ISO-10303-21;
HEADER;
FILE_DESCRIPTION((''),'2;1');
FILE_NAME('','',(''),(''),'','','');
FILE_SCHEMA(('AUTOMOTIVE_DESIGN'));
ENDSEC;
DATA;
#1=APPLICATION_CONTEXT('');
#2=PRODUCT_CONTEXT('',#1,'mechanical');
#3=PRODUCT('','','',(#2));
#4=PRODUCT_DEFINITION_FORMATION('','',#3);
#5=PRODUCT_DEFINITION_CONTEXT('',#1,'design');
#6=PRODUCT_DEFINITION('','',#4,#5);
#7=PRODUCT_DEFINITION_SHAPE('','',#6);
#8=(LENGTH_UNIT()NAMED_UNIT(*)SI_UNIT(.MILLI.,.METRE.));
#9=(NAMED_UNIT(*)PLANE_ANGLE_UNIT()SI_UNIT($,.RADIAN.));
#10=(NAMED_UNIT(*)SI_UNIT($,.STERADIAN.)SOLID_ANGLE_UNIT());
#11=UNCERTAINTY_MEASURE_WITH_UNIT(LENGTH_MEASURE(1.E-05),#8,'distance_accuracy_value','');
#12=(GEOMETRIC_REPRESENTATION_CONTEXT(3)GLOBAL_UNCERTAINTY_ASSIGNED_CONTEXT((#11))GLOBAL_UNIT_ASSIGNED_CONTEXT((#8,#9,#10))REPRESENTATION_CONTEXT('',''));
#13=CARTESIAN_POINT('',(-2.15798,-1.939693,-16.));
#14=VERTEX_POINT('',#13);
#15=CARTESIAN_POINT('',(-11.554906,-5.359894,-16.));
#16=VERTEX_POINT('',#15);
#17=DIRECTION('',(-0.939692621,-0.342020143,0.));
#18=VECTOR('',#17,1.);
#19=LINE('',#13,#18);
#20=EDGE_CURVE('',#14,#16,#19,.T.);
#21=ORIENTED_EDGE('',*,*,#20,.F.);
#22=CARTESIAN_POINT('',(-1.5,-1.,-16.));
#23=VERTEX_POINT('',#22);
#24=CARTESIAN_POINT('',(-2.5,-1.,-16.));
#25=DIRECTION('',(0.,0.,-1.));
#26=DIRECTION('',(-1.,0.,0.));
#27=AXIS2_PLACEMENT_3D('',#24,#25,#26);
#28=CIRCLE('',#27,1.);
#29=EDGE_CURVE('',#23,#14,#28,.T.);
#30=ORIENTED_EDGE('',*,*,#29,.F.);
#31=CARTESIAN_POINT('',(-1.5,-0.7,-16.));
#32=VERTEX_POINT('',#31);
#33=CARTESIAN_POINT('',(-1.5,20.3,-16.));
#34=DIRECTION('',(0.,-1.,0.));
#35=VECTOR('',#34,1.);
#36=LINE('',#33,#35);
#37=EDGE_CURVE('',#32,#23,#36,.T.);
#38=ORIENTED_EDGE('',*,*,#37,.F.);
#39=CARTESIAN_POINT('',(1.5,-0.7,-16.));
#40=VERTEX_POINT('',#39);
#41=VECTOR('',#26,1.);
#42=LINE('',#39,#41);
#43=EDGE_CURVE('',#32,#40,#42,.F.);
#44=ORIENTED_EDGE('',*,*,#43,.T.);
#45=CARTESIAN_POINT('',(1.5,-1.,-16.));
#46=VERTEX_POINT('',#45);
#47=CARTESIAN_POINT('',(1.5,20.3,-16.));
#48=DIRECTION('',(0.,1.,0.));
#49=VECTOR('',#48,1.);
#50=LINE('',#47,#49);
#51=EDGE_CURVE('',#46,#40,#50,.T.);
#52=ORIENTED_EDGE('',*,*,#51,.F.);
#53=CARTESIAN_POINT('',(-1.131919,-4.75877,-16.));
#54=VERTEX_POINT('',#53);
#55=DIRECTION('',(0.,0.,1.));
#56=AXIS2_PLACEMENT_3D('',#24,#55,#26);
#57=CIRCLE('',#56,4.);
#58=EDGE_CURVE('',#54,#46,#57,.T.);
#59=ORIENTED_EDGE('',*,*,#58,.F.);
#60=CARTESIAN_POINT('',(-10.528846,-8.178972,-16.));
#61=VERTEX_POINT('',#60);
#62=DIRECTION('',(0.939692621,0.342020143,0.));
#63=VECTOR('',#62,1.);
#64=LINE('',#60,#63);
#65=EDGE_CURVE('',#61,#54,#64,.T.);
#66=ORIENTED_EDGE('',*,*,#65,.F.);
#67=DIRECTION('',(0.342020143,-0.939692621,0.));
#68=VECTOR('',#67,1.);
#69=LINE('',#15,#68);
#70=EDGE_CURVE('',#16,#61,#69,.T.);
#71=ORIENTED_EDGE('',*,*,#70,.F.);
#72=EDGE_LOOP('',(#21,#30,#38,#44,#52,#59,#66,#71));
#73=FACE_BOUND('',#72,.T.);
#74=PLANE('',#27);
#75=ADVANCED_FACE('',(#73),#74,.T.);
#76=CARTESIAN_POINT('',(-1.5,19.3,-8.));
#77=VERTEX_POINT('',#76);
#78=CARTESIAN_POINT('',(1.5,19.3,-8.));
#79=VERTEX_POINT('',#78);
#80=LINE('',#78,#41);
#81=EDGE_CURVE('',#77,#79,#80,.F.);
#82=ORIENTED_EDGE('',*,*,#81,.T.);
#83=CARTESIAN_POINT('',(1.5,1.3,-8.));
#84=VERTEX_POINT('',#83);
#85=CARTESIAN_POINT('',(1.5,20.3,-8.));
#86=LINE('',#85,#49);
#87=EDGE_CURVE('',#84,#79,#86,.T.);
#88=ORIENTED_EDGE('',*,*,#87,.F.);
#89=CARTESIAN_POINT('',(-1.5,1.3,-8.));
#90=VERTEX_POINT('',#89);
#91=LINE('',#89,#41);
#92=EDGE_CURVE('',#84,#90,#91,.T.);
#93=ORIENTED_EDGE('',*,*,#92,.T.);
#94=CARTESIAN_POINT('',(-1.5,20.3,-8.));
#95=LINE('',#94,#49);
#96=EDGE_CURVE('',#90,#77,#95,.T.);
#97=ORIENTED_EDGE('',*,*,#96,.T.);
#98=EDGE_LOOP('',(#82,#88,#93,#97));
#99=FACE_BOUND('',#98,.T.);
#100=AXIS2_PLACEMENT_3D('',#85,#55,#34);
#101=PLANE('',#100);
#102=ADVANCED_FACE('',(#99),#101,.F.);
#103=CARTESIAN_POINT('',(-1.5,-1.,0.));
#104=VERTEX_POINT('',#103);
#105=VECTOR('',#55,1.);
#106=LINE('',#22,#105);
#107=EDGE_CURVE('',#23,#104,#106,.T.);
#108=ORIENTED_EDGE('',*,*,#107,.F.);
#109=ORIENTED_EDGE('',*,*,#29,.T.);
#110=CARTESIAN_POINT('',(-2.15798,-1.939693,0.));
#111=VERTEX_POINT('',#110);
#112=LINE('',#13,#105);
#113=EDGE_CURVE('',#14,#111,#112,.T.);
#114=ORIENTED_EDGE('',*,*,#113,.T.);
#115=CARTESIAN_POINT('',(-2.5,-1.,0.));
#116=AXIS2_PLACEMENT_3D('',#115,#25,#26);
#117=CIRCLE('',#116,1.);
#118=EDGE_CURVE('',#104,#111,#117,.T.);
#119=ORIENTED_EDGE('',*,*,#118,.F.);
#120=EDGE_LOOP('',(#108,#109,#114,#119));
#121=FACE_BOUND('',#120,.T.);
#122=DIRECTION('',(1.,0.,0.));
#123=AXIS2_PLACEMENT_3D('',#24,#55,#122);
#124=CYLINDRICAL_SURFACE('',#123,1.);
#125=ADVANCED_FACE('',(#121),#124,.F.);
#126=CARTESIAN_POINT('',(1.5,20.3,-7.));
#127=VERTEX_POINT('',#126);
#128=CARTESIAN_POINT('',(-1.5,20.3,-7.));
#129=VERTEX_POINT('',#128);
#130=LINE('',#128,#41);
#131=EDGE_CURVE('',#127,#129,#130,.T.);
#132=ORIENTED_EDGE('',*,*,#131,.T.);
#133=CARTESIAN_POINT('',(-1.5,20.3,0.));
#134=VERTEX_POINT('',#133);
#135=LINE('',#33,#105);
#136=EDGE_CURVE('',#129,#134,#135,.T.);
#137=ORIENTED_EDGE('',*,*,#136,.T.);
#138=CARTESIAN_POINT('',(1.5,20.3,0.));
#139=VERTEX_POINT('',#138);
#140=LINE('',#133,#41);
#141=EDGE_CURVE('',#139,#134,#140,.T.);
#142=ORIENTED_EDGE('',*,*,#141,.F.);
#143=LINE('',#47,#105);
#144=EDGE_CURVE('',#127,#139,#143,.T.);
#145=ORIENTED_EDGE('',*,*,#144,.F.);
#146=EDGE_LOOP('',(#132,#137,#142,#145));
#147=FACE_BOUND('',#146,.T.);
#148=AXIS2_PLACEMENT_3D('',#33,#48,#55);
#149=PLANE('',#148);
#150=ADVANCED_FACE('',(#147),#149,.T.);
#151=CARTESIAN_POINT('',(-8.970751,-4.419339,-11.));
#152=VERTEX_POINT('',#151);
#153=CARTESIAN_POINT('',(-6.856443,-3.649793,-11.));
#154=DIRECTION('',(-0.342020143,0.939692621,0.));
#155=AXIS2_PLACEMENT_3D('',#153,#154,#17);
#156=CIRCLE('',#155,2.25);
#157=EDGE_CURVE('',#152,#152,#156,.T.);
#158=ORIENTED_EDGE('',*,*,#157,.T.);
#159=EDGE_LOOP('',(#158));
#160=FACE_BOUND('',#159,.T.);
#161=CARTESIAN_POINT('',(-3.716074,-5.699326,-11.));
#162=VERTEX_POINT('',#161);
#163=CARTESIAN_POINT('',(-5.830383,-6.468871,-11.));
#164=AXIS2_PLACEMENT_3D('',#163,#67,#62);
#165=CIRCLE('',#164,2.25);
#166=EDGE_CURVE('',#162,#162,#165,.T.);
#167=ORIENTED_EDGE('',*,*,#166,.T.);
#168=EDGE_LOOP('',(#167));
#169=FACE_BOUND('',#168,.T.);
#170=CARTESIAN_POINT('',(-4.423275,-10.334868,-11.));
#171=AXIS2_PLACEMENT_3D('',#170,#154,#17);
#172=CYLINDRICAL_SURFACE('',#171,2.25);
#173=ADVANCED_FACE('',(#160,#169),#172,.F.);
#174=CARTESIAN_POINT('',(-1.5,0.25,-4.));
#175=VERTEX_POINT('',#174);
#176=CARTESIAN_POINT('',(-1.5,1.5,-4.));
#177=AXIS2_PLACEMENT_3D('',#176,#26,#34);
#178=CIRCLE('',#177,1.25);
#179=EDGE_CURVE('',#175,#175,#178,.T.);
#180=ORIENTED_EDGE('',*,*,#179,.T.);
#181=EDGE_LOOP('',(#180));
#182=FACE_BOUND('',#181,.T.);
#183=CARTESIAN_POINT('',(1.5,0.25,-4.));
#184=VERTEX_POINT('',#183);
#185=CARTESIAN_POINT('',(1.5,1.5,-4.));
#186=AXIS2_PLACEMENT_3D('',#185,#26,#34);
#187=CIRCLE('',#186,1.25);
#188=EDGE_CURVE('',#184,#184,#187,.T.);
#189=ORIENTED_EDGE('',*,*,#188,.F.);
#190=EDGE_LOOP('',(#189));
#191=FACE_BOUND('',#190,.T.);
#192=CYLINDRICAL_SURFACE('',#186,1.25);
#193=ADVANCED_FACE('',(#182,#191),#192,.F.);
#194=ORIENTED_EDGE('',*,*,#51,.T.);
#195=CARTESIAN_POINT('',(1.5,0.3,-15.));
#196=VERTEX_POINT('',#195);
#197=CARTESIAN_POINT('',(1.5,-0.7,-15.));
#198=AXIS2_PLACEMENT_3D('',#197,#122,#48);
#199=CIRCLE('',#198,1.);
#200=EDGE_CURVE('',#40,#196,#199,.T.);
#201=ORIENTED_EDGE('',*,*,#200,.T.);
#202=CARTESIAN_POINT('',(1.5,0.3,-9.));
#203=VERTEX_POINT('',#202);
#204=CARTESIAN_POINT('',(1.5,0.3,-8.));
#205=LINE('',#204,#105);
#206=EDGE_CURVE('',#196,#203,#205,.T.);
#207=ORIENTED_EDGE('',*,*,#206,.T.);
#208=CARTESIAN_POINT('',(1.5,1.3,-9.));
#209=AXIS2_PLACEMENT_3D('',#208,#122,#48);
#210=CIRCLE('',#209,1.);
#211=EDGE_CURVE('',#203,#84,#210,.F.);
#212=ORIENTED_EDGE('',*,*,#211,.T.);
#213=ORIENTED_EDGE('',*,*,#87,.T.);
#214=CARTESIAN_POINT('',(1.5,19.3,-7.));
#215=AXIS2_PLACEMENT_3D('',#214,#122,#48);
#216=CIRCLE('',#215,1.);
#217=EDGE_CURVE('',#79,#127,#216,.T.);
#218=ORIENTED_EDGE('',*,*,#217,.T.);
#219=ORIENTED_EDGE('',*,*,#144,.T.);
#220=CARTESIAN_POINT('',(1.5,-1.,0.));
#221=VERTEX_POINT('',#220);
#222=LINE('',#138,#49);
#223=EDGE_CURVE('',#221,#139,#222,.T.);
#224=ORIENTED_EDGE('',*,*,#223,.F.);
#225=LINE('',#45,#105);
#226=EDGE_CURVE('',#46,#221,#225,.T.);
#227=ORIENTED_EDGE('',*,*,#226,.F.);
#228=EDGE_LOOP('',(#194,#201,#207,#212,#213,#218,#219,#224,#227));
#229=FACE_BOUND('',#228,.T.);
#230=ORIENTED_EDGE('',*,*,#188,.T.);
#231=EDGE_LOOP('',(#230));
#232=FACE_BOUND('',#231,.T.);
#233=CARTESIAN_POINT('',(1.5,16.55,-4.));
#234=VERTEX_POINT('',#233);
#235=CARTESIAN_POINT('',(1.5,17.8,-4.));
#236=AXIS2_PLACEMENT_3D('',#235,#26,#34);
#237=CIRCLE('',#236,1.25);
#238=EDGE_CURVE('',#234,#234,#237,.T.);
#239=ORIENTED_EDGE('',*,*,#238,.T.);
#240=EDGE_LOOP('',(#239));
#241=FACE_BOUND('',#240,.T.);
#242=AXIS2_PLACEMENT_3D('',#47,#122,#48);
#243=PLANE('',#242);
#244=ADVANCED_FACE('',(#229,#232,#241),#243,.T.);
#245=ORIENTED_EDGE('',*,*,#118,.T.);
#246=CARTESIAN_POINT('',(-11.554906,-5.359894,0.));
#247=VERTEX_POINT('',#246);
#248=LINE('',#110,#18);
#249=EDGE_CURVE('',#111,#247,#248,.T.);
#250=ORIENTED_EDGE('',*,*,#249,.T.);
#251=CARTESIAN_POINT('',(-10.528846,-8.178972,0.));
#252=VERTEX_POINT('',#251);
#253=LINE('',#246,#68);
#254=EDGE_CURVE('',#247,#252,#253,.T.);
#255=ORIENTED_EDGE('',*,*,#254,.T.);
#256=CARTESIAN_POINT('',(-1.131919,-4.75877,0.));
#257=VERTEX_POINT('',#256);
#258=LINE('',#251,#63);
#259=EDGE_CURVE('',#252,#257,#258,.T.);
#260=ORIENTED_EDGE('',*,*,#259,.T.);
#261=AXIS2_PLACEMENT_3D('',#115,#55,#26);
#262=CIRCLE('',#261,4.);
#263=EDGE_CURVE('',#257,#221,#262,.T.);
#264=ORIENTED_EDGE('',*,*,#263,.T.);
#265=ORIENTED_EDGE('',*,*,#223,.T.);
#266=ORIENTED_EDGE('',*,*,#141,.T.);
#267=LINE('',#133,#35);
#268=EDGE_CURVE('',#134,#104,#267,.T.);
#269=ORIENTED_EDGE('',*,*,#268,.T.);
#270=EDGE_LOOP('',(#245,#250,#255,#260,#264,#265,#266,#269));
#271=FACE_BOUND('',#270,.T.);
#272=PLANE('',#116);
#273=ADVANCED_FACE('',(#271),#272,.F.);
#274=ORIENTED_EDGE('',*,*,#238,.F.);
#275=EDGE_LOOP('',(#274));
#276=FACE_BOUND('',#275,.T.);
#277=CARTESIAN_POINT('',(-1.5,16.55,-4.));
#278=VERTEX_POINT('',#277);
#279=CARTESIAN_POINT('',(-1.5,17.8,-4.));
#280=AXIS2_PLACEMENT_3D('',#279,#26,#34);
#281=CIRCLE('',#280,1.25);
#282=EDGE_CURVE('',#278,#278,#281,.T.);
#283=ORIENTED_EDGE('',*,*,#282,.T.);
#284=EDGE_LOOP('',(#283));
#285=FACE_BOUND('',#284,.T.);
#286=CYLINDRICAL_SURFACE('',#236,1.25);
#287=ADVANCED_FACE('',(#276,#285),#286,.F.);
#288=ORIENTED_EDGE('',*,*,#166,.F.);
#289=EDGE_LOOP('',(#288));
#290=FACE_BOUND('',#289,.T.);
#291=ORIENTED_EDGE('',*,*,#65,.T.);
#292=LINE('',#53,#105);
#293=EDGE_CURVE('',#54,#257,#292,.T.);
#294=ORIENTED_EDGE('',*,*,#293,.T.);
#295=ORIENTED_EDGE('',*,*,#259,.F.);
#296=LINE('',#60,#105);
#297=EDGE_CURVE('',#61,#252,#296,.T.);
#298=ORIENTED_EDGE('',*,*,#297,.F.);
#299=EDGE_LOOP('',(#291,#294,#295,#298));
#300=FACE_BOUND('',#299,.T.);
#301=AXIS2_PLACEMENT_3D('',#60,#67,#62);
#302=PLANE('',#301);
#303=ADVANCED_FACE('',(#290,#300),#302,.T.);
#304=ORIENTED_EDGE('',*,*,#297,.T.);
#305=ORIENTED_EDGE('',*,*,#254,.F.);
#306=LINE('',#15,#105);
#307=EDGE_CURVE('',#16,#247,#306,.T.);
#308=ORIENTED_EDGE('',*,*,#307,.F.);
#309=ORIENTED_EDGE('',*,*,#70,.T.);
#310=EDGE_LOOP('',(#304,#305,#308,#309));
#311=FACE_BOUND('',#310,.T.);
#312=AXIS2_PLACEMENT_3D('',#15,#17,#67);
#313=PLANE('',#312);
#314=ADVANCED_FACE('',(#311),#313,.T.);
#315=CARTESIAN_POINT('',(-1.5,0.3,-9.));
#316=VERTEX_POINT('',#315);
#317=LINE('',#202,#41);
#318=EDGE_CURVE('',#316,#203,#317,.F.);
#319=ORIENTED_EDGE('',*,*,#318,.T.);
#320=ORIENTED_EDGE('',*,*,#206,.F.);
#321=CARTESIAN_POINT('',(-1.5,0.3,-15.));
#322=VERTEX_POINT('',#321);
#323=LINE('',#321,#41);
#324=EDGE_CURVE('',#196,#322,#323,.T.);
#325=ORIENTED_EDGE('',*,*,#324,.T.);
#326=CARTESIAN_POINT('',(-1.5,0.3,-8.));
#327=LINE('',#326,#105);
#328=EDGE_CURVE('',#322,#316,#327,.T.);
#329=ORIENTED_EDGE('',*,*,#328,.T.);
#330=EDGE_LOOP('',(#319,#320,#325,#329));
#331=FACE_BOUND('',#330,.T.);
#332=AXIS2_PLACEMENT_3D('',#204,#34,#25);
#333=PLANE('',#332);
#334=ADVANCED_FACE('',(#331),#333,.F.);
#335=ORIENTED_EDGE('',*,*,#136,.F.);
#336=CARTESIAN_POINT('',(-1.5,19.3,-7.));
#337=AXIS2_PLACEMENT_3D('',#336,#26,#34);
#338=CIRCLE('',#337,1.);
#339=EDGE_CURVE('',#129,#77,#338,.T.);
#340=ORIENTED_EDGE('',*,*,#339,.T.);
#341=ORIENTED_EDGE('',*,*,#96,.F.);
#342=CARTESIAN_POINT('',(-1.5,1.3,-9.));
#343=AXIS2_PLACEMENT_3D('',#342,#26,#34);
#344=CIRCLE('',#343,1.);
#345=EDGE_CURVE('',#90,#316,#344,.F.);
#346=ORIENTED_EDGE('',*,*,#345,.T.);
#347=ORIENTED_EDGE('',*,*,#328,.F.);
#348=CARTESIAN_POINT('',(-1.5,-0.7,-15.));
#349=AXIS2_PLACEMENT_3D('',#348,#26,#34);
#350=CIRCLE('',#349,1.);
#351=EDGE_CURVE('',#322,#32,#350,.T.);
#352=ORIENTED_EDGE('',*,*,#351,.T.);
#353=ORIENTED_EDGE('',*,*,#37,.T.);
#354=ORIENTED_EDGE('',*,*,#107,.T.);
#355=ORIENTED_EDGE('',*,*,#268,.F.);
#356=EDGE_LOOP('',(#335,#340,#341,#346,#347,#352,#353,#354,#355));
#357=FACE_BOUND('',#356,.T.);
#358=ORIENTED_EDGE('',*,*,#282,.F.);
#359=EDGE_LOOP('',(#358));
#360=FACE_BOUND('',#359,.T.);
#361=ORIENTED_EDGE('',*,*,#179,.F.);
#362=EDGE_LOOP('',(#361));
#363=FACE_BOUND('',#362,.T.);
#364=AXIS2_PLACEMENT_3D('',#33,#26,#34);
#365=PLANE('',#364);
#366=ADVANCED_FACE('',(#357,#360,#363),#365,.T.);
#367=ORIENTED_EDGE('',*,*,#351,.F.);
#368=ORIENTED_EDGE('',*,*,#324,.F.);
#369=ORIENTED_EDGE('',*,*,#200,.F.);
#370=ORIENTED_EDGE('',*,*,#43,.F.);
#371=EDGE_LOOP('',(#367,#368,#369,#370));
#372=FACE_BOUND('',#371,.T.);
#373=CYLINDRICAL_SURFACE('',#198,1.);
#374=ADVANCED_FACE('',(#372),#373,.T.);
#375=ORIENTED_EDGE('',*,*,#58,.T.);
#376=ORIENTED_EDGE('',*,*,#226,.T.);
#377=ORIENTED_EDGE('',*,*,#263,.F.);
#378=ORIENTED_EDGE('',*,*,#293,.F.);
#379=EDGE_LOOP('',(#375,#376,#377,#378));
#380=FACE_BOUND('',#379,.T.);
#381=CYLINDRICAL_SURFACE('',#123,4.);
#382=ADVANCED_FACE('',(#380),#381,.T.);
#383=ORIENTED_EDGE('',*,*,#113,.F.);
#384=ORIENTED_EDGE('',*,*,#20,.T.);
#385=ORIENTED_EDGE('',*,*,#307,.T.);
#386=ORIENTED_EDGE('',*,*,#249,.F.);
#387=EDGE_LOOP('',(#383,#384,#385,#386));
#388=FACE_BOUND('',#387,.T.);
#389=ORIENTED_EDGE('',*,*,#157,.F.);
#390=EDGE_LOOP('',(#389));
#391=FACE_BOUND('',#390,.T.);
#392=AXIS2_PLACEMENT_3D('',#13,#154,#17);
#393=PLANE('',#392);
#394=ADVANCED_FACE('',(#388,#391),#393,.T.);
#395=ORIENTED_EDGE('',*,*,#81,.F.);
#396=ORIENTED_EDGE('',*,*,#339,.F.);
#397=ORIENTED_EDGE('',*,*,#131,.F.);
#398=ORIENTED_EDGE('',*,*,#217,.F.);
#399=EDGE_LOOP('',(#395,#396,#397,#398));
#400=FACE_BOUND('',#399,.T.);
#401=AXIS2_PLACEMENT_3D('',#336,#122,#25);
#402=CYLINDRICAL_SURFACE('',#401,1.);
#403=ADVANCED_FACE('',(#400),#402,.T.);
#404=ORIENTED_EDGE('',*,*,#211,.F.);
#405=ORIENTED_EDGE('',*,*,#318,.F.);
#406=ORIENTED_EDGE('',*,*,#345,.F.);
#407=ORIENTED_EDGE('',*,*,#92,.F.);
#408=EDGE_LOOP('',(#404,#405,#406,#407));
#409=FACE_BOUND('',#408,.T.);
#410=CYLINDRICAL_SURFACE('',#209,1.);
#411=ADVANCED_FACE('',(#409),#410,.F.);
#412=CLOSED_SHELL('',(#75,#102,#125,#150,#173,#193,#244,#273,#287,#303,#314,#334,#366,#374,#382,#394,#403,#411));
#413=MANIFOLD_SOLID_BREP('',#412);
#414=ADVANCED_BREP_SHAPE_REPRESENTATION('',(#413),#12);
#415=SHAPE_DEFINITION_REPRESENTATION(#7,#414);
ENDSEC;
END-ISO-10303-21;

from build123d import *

# Parameters (mm, degrees)
BOSS_EXTRUDE2_DEPTH = 16
SKETCH7_R           = 2.25
CUT_EXTRUDE4_DEPTH  = 30.201645329
SKETCH6_R           = 1.25
SKETCH6_W           = 8
SKETCH6_H           = 20
CUT_EXTRUDE5_DEPTH  = 28.734295303
FILLET2_R           = 1


with BuildPart() as part:
    # Sketch2 → Boss-Extrude2 (new body)
    with BuildSketch(Plane.XY):
        with BuildLine():
            Line((-2.157979857, -1.939692621), (-11.554906065, -5.359894054))
            Line((-11.554906065, -5.359894054), (-10.528845635, -8.178971916))
            Line((-10.528845635, -8.178971916), (-1.131919427, -4.758770483))
            ThreePointArc((-1.131919427, -4.758770483), (0.776608177, -3.294305745), (1.5, -1))
            Line((1.5, -1), (1.5, 20.3))
            Line((1.5, 20.3), (-1.5, 20.3))
            Line((-1.5, 20.3), (-1.5, -1))
            ThreePointArc((-1.5, -1), (-1.680847956, -1.573576436), (-2.157979857, -1.939692621))
        make_face()
    extrude(amount=-BOSS_EXTRUDE2_DEPTH)

    # Sketch7 → Cut-Extrude4 (cut, through all)
    with BuildSketch(Plane(origin=(0.370969502, -1.01923033, 0), x_dir=(0.9396926207859104, 0.34202014332566305, 0), z_dir=(-0.3420201433256631, 0.9396926207859105, 0))):
        with Locations(Location((-7.691251695, 11, 0), (0, 0, 180))):
            Circle(SKETCH7_R)
    extrude(amount=-CUT_EXTRUDE4_DEPTH, mode=Mode.SUBTRACT)

    # Sketch6 → Cut-Extrude5 (cut, through all)
    with BuildSketch(Plane.ZY.offset(1.5)):
        with Locations(Location((-4, 17.8, 0), (0, 0, 270))):
            Circle(SKETCH6_R)
        with Locations(Location((-4, 1.5, 0), (0, 0, 270))):
            Circle(SKETCH6_R)
        with Locations((-12, 10.3)):
            Rectangle(SKETCH6_W, SKETCH6_H)
    extrude(amount=-CUT_EXTRUDE5_DEPTH, mode=Mode.SUBTRACT)

    # Fillet2
    fillet2_edges = [part.edges().sort_by_distance(p)[0] for p in [
        (0, 0.3, -16),
        (0, 20.3, -8),
        (0, 0.3, -8),
    ]]
    fillet(fillet2_edges, radius=FILLET2_R)


solid = part.part
